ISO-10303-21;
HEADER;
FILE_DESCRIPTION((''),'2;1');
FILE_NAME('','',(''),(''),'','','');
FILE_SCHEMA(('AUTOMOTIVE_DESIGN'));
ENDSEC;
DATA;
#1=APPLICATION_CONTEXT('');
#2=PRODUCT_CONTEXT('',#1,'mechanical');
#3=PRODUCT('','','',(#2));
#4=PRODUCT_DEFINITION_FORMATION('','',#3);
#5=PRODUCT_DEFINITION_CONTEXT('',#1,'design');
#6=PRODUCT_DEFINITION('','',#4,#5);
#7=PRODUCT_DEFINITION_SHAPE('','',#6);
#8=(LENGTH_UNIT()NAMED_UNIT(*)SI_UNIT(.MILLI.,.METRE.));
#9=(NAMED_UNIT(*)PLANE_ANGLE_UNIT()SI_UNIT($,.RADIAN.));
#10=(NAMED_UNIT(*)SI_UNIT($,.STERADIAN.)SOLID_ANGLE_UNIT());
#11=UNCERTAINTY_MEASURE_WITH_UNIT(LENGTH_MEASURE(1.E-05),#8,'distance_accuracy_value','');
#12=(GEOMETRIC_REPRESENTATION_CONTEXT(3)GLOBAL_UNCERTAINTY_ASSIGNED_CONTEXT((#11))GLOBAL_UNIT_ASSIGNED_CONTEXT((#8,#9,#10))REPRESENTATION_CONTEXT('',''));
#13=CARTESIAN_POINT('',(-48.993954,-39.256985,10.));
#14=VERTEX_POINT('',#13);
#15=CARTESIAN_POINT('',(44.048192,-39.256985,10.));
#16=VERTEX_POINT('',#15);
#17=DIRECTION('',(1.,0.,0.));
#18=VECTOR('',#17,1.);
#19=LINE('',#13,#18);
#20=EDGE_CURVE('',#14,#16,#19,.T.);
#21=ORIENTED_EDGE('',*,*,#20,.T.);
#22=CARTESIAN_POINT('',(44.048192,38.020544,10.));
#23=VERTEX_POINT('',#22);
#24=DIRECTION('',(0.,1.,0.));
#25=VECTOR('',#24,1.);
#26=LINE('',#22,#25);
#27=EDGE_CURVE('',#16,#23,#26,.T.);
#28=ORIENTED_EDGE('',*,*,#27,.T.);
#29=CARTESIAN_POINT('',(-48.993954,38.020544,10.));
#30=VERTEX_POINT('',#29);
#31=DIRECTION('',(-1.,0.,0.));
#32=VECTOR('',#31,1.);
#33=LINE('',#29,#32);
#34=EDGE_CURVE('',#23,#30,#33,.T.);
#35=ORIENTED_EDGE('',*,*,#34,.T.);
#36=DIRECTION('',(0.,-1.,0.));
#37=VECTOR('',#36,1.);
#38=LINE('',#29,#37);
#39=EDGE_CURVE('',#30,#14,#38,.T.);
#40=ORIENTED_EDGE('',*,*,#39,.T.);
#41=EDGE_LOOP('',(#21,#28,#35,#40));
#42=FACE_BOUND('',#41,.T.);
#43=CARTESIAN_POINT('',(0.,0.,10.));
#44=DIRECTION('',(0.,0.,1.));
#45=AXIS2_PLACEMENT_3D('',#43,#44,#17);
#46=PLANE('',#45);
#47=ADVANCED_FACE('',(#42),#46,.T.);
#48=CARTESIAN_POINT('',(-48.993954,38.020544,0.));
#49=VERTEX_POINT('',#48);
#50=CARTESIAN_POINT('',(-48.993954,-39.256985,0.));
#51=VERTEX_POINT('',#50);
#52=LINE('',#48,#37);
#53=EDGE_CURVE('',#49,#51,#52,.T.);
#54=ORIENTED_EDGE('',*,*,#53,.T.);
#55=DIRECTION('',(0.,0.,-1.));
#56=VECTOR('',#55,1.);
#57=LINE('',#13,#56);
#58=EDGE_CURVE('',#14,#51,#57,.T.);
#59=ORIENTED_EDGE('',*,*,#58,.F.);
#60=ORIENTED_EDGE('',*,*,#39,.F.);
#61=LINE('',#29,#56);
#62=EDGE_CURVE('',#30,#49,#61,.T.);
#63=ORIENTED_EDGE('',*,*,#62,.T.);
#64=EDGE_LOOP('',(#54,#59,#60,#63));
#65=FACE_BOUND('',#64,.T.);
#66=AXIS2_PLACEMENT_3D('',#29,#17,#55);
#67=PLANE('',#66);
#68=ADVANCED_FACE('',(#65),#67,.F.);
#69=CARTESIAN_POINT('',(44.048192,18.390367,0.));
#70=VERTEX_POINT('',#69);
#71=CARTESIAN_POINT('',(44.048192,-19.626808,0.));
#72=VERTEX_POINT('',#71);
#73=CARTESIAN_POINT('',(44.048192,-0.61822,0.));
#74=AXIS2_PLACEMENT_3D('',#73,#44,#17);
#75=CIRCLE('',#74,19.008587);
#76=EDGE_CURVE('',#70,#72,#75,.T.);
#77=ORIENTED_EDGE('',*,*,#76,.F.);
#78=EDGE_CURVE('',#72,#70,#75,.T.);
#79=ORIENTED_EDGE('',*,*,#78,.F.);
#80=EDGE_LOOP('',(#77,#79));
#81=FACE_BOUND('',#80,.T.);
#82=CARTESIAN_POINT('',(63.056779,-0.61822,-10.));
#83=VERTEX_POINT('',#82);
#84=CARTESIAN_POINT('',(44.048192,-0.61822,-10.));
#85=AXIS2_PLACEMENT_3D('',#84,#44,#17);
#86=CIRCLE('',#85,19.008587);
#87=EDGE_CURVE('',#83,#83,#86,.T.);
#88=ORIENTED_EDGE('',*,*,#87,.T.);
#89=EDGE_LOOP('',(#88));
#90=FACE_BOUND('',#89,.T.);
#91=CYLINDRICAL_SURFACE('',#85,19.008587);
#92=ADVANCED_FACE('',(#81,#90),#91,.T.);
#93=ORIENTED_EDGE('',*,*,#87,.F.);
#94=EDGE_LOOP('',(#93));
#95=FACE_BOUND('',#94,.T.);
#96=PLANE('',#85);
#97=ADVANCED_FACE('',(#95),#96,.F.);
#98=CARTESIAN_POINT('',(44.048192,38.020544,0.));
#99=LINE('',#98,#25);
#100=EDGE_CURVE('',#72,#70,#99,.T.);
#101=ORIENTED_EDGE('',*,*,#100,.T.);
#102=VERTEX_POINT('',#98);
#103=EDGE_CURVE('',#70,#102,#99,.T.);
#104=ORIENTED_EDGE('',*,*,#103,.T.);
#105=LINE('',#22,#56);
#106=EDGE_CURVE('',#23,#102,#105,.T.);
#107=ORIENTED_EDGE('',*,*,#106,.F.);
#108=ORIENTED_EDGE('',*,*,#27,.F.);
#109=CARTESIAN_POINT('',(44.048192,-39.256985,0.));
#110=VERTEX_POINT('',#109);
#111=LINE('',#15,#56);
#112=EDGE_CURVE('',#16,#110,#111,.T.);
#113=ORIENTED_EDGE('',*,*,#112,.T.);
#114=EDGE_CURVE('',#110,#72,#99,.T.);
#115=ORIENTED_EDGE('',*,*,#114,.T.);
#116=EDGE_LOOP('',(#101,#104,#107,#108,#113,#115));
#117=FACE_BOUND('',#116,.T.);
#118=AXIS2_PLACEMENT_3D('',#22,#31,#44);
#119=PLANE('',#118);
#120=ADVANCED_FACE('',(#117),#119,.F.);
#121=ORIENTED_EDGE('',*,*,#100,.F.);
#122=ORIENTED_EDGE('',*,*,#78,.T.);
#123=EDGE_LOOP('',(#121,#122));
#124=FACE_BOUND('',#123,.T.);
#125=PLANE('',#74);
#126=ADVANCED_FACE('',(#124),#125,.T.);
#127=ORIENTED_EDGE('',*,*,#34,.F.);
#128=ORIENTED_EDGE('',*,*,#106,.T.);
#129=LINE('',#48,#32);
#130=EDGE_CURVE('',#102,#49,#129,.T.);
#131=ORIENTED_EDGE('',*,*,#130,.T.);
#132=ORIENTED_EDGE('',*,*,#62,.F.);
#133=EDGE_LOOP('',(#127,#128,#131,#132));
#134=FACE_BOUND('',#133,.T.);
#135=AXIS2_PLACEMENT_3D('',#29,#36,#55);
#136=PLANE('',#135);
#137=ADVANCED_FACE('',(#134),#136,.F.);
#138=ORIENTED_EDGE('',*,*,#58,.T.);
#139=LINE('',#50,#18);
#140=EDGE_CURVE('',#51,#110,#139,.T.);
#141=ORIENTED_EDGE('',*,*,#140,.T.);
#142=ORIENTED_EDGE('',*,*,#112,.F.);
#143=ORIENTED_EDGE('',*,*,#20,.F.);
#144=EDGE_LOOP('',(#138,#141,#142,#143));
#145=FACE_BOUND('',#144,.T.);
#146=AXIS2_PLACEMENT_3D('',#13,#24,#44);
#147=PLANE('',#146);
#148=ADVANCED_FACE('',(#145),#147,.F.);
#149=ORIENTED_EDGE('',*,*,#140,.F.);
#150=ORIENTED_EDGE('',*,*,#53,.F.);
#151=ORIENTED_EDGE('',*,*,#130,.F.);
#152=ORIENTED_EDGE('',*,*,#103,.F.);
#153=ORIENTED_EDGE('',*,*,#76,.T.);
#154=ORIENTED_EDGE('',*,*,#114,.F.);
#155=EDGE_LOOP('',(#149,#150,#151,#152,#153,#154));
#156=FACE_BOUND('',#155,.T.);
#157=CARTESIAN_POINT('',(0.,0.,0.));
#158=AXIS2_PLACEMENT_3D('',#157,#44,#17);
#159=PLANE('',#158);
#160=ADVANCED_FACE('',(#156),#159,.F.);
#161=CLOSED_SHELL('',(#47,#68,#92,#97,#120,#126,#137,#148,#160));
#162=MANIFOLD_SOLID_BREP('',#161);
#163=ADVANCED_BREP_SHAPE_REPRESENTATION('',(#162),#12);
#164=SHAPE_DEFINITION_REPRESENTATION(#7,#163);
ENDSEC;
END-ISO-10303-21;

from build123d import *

# Parameters (mm, degrees)
F_1_FR_W        = 93.042145165
F_1_FR_H        = 77.277529207
EXTRUDE_1_DEPTH = 10
SKETCH_2_R      = 19.00858744
EXTRUDE_2_DEPTH = 10


with BuildPart() as part:
    # Эскиз1_fr → Бобышка-Вытянуть1 (new body)
    with BuildSketch(Plane.XY):
        with Locations((-2.472880935, -0.618220234)):
            Rectangle(F_1_FR_W, F_1_FR_H)
    extrude(amount=EXTRUDE_1_DEPTH)

    # Эскиз2 → Бобышка-Вытянуть2 (add)
    with BuildSketch(Plane.XY):
        with Locations((44.048191648, -0.618220234)):
            Circle(SKETCH_2_R)
    extrude(amount=-EXTRUDE_2_DEPTH)


solid = part.part
